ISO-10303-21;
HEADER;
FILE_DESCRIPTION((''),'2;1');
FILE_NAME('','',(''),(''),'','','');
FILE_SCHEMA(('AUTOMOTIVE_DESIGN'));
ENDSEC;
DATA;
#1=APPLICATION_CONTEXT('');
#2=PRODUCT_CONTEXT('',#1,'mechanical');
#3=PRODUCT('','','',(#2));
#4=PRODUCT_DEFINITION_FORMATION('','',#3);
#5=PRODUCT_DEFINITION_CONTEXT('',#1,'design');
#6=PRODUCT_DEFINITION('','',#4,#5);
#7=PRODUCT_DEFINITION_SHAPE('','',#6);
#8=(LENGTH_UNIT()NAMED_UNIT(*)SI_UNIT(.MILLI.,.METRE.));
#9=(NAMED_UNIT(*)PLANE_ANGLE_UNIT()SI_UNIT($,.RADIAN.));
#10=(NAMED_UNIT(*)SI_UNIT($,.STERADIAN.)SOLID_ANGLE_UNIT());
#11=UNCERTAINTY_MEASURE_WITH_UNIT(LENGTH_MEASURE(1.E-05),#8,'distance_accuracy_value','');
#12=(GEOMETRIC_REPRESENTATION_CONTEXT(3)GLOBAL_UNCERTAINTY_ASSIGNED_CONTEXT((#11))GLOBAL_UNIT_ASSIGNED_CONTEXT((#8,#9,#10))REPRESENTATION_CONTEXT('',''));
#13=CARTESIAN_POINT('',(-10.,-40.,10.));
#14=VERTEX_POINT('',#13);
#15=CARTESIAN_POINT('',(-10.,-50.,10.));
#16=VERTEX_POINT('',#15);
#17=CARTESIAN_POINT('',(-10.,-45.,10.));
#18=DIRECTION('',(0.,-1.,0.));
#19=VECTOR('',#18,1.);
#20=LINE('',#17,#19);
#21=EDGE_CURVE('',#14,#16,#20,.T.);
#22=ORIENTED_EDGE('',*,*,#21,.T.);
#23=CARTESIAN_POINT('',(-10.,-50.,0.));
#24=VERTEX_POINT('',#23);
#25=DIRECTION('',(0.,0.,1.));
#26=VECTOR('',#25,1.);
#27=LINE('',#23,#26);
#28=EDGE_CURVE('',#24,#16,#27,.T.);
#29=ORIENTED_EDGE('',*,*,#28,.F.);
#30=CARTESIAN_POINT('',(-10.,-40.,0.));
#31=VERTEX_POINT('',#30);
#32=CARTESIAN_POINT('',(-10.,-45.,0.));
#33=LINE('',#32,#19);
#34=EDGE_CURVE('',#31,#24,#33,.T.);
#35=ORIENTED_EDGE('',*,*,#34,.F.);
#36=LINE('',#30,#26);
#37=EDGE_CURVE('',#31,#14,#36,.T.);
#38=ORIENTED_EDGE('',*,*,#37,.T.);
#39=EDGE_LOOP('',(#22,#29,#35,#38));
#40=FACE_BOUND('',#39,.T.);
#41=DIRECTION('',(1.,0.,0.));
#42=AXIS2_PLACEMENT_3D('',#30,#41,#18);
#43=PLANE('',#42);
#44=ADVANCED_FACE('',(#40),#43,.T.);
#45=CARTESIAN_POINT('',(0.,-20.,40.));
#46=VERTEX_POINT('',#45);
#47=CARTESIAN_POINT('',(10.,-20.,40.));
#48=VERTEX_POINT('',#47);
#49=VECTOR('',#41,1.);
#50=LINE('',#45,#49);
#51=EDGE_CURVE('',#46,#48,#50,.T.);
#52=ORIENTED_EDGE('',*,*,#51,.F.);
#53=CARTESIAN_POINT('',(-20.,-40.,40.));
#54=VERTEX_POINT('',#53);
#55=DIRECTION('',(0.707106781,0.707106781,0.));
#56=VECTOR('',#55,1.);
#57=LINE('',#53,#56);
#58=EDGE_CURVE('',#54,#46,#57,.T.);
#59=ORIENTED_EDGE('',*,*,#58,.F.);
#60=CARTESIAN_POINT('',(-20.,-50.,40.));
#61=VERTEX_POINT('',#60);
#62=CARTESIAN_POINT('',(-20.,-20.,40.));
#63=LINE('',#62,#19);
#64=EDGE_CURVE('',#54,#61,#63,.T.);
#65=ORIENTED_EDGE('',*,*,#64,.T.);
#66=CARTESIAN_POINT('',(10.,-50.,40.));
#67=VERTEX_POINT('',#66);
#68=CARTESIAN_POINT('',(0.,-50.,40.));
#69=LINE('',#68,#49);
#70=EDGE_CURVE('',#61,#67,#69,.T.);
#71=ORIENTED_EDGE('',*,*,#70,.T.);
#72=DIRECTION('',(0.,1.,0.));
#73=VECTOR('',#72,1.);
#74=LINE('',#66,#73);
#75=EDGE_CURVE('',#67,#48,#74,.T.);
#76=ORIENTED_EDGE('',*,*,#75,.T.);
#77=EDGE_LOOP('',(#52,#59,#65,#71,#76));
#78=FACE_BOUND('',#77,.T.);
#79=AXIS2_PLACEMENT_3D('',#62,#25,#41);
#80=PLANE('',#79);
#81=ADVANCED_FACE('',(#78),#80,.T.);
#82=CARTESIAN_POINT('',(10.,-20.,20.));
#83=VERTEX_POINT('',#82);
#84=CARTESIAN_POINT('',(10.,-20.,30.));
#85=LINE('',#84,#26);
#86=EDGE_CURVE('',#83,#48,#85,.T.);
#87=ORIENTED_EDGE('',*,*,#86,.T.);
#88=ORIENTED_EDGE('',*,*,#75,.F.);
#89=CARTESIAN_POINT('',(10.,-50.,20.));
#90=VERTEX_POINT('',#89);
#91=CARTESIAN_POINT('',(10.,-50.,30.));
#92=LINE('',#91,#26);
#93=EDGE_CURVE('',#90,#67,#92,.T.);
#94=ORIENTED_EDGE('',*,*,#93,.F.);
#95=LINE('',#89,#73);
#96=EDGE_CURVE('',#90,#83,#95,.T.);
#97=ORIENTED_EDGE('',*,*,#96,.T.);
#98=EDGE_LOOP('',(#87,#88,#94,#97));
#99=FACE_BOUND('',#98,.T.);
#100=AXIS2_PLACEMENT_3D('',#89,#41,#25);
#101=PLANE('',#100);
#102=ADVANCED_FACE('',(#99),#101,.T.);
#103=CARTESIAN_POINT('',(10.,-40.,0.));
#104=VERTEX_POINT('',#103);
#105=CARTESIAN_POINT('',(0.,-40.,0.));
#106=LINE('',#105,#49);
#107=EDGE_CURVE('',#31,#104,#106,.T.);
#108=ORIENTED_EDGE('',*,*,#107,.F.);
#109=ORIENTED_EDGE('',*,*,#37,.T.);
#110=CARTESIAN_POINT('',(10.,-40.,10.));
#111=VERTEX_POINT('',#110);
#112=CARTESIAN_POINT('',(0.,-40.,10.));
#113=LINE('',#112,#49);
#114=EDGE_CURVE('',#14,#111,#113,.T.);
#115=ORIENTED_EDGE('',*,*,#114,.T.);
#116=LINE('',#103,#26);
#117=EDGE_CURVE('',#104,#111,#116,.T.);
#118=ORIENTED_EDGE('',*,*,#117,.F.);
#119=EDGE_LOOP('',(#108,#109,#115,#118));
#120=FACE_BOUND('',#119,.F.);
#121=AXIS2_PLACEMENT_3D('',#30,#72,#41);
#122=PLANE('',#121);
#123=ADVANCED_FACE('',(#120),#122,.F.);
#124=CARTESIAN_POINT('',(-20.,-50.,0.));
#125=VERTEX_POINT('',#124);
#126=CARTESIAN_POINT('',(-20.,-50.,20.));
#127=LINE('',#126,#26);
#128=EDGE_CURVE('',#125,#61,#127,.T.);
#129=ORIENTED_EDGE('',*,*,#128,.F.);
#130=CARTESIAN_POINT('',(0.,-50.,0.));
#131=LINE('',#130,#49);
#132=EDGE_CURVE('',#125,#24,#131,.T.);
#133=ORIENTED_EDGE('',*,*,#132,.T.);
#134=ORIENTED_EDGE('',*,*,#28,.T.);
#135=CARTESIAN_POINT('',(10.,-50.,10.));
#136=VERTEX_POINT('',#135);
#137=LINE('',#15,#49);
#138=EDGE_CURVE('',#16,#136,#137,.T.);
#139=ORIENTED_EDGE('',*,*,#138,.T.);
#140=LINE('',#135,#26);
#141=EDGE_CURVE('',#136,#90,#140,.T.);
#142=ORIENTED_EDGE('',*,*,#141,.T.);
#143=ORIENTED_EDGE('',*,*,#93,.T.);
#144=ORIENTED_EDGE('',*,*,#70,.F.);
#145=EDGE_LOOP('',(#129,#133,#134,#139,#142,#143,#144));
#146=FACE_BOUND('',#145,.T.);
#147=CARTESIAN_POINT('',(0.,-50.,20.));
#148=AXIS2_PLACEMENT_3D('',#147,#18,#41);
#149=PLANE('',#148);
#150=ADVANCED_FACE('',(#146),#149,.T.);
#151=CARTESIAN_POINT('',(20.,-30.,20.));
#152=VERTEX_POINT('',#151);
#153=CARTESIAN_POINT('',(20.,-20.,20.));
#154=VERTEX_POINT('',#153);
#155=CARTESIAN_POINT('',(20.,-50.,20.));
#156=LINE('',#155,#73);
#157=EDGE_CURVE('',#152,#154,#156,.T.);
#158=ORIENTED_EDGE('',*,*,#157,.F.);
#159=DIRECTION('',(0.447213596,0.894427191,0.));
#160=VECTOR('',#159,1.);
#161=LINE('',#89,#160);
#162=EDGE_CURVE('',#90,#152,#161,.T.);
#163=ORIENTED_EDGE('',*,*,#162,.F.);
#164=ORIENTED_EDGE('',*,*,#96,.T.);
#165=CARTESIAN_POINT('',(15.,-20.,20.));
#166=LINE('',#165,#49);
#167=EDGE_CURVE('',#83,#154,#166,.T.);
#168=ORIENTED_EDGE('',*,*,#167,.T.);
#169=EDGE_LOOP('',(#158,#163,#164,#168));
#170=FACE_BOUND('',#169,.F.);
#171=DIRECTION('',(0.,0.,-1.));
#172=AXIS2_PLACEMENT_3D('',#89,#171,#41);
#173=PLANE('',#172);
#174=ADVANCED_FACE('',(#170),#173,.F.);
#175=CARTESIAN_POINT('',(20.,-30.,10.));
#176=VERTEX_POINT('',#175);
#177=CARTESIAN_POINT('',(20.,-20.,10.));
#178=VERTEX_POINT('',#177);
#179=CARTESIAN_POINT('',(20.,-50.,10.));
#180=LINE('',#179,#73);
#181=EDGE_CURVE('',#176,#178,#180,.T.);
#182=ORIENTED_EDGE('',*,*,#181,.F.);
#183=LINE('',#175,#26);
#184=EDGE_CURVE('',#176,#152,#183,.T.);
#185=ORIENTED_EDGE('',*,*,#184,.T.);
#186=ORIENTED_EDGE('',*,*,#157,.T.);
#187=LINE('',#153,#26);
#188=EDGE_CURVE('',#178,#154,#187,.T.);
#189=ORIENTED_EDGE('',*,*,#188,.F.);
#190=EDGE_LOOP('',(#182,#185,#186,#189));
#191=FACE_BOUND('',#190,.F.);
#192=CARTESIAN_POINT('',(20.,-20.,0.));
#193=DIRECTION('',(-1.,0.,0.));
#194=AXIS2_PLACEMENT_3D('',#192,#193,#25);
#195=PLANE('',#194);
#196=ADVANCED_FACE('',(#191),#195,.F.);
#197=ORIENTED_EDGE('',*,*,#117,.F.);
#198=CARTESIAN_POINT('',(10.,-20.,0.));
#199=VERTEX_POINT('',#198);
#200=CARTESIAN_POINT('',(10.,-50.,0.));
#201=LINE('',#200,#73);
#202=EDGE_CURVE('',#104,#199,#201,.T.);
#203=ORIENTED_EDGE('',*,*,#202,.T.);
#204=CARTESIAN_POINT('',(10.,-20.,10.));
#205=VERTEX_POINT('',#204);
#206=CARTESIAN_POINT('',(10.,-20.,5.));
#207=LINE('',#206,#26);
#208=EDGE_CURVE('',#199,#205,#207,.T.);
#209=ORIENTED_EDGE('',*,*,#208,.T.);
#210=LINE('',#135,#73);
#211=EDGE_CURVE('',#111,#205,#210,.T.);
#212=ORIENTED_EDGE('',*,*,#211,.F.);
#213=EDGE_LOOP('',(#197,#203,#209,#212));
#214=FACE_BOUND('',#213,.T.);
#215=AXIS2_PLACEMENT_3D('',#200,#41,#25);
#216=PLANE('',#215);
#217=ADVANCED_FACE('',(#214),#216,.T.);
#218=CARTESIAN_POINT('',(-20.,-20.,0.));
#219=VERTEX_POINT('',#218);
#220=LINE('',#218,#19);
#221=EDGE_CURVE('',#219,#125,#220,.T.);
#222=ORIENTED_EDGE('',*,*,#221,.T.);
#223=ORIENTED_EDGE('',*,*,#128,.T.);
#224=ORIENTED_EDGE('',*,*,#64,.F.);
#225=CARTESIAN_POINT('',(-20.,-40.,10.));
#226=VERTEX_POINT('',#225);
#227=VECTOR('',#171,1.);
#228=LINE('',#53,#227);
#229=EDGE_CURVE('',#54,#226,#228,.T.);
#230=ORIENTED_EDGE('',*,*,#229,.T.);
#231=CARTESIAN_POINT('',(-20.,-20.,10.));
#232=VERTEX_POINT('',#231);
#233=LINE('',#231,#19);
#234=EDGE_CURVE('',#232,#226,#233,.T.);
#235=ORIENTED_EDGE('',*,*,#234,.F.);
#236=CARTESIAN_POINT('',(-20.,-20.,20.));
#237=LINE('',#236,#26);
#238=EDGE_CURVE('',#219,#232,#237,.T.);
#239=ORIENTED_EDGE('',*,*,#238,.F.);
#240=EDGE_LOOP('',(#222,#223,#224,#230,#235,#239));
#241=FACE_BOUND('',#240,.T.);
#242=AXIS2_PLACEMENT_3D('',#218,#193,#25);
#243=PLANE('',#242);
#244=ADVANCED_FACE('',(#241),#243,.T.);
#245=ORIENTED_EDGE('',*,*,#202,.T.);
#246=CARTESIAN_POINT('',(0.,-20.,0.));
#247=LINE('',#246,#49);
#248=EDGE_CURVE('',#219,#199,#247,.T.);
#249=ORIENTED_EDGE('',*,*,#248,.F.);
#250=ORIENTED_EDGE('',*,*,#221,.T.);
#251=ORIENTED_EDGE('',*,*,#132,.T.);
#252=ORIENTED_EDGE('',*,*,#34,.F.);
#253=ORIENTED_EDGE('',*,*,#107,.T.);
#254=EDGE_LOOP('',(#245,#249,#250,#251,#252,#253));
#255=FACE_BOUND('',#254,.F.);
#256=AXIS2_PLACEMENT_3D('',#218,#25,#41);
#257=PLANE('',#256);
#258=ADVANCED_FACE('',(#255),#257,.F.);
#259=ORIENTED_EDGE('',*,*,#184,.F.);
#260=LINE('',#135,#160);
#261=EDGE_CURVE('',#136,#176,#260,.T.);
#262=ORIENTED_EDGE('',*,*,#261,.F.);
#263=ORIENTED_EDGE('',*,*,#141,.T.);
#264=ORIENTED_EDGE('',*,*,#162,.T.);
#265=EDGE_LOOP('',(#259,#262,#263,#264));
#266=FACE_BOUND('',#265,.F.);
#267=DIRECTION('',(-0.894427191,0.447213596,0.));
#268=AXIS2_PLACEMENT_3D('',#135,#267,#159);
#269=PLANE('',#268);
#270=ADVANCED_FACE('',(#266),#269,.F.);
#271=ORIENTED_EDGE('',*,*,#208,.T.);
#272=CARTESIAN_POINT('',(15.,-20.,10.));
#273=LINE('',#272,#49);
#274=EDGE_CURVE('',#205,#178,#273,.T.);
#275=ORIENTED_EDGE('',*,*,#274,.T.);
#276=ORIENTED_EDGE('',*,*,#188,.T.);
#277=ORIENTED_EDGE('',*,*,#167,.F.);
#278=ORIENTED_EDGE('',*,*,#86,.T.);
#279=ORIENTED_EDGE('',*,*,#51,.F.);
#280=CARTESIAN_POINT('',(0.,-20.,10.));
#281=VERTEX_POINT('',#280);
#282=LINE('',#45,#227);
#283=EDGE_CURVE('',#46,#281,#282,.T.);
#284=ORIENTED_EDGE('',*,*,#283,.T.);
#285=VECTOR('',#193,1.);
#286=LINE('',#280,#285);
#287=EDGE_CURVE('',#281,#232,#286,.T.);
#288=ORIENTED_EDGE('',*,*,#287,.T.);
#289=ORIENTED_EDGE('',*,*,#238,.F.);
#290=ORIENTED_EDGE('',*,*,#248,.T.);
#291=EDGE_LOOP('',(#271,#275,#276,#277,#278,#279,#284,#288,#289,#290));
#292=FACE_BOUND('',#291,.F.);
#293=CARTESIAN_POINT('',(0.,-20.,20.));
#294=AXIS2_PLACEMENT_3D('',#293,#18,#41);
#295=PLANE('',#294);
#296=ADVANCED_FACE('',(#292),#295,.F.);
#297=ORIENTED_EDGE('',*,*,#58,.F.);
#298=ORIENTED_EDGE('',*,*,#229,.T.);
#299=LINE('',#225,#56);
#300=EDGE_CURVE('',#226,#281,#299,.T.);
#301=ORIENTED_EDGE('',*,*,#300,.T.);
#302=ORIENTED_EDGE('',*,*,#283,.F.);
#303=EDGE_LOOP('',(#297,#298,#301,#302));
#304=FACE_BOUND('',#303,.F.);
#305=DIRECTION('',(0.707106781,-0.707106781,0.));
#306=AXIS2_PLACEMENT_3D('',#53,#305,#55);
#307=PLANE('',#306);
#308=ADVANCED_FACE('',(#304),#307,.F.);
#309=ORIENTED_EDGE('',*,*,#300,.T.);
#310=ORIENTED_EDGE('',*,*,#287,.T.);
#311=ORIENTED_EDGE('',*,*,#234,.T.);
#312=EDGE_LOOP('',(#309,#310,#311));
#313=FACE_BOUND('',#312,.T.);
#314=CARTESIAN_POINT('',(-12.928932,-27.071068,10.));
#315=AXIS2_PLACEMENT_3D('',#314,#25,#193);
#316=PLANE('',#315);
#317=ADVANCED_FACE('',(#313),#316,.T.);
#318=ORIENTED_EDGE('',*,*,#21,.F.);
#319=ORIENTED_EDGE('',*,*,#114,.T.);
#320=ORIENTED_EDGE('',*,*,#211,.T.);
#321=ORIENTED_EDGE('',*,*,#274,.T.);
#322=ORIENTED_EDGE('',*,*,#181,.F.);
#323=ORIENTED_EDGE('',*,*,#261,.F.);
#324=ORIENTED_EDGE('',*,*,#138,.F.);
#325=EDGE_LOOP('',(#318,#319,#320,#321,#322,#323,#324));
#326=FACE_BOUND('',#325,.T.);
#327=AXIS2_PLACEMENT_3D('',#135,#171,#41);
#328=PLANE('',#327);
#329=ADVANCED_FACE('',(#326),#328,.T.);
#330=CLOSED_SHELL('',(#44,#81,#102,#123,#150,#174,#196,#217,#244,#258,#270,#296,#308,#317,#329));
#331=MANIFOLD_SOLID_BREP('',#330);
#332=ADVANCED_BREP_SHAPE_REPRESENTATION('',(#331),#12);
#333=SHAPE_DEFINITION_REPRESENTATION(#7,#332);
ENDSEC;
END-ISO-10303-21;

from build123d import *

# Parameters (mm, degrees)
F0_W      = 40
F0_H      = 40
F1_DEPTH  = 30
F2_W      = 10
F2_H      = 20
F2_H_2    = 10
F3_DEPTH  = 30
F4_W      = 20
F4_H      = 10
F5_DEPTH  = 10
F7_DEPTH  = 10
F9_DEPTH  = 30
F10_ANGLE = 90


with BuildPart() as f1:
    # F0 (on Top) → F1 (new body)
    with BuildSketch(Plane.XY):
        Rectangle(F0_W, F0_H)
    extrude(amount=F1_DEPTH)

    # F2 (on face) → F3 (cut)
    with BuildSketch(Plane.XY.offset(30)):
        with Locations((15, 10)):
            Rectangle(F2_W, F2_H)
        with Locations((15, -15)):
            Rectangle(F2_W, F2_H_2)
    extrude(amount=-F3_DEPTH, mode=Mode.SUBTRACT)

    # F4 (on face) → F5 (cut)
    with BuildSketch(Plane.XZ.offset(20)):
        with Locations((0, 25)):
            Rectangle(F4_W, F4_H)
    extrude(amount=-F5_DEPTH, mode=Mode.SUBTRACT)

    # F6 (on face) → F7 (cut)
    with BuildSketch(Plane.XZ.offset(10)):
        Polygon((20, 10), (20, 30), (10, 30), align=None)
    extrude(amount=-F7_DEPTH, mode=Mode.SUBTRACT)

    # F8 (on face) → F9 (cut)
    with BuildSketch(Plane(origin=(0, 20, 0), x_dir=(-1, 0, 0), z_dir=(0, 1, 0))):
        Polygon((0, 0), (20, 0), (20, 20), align=None)
    extrude(amount=-F9_DEPTH, mode=Mode.SUBTRACT)


with BuildPart() as f1_1:
    # F10: moved
    add(f1.part.rotate(Axis((-5, -20, 0), (1, 0, 0)), F10_ANGLE))


solid = f1_1.part
